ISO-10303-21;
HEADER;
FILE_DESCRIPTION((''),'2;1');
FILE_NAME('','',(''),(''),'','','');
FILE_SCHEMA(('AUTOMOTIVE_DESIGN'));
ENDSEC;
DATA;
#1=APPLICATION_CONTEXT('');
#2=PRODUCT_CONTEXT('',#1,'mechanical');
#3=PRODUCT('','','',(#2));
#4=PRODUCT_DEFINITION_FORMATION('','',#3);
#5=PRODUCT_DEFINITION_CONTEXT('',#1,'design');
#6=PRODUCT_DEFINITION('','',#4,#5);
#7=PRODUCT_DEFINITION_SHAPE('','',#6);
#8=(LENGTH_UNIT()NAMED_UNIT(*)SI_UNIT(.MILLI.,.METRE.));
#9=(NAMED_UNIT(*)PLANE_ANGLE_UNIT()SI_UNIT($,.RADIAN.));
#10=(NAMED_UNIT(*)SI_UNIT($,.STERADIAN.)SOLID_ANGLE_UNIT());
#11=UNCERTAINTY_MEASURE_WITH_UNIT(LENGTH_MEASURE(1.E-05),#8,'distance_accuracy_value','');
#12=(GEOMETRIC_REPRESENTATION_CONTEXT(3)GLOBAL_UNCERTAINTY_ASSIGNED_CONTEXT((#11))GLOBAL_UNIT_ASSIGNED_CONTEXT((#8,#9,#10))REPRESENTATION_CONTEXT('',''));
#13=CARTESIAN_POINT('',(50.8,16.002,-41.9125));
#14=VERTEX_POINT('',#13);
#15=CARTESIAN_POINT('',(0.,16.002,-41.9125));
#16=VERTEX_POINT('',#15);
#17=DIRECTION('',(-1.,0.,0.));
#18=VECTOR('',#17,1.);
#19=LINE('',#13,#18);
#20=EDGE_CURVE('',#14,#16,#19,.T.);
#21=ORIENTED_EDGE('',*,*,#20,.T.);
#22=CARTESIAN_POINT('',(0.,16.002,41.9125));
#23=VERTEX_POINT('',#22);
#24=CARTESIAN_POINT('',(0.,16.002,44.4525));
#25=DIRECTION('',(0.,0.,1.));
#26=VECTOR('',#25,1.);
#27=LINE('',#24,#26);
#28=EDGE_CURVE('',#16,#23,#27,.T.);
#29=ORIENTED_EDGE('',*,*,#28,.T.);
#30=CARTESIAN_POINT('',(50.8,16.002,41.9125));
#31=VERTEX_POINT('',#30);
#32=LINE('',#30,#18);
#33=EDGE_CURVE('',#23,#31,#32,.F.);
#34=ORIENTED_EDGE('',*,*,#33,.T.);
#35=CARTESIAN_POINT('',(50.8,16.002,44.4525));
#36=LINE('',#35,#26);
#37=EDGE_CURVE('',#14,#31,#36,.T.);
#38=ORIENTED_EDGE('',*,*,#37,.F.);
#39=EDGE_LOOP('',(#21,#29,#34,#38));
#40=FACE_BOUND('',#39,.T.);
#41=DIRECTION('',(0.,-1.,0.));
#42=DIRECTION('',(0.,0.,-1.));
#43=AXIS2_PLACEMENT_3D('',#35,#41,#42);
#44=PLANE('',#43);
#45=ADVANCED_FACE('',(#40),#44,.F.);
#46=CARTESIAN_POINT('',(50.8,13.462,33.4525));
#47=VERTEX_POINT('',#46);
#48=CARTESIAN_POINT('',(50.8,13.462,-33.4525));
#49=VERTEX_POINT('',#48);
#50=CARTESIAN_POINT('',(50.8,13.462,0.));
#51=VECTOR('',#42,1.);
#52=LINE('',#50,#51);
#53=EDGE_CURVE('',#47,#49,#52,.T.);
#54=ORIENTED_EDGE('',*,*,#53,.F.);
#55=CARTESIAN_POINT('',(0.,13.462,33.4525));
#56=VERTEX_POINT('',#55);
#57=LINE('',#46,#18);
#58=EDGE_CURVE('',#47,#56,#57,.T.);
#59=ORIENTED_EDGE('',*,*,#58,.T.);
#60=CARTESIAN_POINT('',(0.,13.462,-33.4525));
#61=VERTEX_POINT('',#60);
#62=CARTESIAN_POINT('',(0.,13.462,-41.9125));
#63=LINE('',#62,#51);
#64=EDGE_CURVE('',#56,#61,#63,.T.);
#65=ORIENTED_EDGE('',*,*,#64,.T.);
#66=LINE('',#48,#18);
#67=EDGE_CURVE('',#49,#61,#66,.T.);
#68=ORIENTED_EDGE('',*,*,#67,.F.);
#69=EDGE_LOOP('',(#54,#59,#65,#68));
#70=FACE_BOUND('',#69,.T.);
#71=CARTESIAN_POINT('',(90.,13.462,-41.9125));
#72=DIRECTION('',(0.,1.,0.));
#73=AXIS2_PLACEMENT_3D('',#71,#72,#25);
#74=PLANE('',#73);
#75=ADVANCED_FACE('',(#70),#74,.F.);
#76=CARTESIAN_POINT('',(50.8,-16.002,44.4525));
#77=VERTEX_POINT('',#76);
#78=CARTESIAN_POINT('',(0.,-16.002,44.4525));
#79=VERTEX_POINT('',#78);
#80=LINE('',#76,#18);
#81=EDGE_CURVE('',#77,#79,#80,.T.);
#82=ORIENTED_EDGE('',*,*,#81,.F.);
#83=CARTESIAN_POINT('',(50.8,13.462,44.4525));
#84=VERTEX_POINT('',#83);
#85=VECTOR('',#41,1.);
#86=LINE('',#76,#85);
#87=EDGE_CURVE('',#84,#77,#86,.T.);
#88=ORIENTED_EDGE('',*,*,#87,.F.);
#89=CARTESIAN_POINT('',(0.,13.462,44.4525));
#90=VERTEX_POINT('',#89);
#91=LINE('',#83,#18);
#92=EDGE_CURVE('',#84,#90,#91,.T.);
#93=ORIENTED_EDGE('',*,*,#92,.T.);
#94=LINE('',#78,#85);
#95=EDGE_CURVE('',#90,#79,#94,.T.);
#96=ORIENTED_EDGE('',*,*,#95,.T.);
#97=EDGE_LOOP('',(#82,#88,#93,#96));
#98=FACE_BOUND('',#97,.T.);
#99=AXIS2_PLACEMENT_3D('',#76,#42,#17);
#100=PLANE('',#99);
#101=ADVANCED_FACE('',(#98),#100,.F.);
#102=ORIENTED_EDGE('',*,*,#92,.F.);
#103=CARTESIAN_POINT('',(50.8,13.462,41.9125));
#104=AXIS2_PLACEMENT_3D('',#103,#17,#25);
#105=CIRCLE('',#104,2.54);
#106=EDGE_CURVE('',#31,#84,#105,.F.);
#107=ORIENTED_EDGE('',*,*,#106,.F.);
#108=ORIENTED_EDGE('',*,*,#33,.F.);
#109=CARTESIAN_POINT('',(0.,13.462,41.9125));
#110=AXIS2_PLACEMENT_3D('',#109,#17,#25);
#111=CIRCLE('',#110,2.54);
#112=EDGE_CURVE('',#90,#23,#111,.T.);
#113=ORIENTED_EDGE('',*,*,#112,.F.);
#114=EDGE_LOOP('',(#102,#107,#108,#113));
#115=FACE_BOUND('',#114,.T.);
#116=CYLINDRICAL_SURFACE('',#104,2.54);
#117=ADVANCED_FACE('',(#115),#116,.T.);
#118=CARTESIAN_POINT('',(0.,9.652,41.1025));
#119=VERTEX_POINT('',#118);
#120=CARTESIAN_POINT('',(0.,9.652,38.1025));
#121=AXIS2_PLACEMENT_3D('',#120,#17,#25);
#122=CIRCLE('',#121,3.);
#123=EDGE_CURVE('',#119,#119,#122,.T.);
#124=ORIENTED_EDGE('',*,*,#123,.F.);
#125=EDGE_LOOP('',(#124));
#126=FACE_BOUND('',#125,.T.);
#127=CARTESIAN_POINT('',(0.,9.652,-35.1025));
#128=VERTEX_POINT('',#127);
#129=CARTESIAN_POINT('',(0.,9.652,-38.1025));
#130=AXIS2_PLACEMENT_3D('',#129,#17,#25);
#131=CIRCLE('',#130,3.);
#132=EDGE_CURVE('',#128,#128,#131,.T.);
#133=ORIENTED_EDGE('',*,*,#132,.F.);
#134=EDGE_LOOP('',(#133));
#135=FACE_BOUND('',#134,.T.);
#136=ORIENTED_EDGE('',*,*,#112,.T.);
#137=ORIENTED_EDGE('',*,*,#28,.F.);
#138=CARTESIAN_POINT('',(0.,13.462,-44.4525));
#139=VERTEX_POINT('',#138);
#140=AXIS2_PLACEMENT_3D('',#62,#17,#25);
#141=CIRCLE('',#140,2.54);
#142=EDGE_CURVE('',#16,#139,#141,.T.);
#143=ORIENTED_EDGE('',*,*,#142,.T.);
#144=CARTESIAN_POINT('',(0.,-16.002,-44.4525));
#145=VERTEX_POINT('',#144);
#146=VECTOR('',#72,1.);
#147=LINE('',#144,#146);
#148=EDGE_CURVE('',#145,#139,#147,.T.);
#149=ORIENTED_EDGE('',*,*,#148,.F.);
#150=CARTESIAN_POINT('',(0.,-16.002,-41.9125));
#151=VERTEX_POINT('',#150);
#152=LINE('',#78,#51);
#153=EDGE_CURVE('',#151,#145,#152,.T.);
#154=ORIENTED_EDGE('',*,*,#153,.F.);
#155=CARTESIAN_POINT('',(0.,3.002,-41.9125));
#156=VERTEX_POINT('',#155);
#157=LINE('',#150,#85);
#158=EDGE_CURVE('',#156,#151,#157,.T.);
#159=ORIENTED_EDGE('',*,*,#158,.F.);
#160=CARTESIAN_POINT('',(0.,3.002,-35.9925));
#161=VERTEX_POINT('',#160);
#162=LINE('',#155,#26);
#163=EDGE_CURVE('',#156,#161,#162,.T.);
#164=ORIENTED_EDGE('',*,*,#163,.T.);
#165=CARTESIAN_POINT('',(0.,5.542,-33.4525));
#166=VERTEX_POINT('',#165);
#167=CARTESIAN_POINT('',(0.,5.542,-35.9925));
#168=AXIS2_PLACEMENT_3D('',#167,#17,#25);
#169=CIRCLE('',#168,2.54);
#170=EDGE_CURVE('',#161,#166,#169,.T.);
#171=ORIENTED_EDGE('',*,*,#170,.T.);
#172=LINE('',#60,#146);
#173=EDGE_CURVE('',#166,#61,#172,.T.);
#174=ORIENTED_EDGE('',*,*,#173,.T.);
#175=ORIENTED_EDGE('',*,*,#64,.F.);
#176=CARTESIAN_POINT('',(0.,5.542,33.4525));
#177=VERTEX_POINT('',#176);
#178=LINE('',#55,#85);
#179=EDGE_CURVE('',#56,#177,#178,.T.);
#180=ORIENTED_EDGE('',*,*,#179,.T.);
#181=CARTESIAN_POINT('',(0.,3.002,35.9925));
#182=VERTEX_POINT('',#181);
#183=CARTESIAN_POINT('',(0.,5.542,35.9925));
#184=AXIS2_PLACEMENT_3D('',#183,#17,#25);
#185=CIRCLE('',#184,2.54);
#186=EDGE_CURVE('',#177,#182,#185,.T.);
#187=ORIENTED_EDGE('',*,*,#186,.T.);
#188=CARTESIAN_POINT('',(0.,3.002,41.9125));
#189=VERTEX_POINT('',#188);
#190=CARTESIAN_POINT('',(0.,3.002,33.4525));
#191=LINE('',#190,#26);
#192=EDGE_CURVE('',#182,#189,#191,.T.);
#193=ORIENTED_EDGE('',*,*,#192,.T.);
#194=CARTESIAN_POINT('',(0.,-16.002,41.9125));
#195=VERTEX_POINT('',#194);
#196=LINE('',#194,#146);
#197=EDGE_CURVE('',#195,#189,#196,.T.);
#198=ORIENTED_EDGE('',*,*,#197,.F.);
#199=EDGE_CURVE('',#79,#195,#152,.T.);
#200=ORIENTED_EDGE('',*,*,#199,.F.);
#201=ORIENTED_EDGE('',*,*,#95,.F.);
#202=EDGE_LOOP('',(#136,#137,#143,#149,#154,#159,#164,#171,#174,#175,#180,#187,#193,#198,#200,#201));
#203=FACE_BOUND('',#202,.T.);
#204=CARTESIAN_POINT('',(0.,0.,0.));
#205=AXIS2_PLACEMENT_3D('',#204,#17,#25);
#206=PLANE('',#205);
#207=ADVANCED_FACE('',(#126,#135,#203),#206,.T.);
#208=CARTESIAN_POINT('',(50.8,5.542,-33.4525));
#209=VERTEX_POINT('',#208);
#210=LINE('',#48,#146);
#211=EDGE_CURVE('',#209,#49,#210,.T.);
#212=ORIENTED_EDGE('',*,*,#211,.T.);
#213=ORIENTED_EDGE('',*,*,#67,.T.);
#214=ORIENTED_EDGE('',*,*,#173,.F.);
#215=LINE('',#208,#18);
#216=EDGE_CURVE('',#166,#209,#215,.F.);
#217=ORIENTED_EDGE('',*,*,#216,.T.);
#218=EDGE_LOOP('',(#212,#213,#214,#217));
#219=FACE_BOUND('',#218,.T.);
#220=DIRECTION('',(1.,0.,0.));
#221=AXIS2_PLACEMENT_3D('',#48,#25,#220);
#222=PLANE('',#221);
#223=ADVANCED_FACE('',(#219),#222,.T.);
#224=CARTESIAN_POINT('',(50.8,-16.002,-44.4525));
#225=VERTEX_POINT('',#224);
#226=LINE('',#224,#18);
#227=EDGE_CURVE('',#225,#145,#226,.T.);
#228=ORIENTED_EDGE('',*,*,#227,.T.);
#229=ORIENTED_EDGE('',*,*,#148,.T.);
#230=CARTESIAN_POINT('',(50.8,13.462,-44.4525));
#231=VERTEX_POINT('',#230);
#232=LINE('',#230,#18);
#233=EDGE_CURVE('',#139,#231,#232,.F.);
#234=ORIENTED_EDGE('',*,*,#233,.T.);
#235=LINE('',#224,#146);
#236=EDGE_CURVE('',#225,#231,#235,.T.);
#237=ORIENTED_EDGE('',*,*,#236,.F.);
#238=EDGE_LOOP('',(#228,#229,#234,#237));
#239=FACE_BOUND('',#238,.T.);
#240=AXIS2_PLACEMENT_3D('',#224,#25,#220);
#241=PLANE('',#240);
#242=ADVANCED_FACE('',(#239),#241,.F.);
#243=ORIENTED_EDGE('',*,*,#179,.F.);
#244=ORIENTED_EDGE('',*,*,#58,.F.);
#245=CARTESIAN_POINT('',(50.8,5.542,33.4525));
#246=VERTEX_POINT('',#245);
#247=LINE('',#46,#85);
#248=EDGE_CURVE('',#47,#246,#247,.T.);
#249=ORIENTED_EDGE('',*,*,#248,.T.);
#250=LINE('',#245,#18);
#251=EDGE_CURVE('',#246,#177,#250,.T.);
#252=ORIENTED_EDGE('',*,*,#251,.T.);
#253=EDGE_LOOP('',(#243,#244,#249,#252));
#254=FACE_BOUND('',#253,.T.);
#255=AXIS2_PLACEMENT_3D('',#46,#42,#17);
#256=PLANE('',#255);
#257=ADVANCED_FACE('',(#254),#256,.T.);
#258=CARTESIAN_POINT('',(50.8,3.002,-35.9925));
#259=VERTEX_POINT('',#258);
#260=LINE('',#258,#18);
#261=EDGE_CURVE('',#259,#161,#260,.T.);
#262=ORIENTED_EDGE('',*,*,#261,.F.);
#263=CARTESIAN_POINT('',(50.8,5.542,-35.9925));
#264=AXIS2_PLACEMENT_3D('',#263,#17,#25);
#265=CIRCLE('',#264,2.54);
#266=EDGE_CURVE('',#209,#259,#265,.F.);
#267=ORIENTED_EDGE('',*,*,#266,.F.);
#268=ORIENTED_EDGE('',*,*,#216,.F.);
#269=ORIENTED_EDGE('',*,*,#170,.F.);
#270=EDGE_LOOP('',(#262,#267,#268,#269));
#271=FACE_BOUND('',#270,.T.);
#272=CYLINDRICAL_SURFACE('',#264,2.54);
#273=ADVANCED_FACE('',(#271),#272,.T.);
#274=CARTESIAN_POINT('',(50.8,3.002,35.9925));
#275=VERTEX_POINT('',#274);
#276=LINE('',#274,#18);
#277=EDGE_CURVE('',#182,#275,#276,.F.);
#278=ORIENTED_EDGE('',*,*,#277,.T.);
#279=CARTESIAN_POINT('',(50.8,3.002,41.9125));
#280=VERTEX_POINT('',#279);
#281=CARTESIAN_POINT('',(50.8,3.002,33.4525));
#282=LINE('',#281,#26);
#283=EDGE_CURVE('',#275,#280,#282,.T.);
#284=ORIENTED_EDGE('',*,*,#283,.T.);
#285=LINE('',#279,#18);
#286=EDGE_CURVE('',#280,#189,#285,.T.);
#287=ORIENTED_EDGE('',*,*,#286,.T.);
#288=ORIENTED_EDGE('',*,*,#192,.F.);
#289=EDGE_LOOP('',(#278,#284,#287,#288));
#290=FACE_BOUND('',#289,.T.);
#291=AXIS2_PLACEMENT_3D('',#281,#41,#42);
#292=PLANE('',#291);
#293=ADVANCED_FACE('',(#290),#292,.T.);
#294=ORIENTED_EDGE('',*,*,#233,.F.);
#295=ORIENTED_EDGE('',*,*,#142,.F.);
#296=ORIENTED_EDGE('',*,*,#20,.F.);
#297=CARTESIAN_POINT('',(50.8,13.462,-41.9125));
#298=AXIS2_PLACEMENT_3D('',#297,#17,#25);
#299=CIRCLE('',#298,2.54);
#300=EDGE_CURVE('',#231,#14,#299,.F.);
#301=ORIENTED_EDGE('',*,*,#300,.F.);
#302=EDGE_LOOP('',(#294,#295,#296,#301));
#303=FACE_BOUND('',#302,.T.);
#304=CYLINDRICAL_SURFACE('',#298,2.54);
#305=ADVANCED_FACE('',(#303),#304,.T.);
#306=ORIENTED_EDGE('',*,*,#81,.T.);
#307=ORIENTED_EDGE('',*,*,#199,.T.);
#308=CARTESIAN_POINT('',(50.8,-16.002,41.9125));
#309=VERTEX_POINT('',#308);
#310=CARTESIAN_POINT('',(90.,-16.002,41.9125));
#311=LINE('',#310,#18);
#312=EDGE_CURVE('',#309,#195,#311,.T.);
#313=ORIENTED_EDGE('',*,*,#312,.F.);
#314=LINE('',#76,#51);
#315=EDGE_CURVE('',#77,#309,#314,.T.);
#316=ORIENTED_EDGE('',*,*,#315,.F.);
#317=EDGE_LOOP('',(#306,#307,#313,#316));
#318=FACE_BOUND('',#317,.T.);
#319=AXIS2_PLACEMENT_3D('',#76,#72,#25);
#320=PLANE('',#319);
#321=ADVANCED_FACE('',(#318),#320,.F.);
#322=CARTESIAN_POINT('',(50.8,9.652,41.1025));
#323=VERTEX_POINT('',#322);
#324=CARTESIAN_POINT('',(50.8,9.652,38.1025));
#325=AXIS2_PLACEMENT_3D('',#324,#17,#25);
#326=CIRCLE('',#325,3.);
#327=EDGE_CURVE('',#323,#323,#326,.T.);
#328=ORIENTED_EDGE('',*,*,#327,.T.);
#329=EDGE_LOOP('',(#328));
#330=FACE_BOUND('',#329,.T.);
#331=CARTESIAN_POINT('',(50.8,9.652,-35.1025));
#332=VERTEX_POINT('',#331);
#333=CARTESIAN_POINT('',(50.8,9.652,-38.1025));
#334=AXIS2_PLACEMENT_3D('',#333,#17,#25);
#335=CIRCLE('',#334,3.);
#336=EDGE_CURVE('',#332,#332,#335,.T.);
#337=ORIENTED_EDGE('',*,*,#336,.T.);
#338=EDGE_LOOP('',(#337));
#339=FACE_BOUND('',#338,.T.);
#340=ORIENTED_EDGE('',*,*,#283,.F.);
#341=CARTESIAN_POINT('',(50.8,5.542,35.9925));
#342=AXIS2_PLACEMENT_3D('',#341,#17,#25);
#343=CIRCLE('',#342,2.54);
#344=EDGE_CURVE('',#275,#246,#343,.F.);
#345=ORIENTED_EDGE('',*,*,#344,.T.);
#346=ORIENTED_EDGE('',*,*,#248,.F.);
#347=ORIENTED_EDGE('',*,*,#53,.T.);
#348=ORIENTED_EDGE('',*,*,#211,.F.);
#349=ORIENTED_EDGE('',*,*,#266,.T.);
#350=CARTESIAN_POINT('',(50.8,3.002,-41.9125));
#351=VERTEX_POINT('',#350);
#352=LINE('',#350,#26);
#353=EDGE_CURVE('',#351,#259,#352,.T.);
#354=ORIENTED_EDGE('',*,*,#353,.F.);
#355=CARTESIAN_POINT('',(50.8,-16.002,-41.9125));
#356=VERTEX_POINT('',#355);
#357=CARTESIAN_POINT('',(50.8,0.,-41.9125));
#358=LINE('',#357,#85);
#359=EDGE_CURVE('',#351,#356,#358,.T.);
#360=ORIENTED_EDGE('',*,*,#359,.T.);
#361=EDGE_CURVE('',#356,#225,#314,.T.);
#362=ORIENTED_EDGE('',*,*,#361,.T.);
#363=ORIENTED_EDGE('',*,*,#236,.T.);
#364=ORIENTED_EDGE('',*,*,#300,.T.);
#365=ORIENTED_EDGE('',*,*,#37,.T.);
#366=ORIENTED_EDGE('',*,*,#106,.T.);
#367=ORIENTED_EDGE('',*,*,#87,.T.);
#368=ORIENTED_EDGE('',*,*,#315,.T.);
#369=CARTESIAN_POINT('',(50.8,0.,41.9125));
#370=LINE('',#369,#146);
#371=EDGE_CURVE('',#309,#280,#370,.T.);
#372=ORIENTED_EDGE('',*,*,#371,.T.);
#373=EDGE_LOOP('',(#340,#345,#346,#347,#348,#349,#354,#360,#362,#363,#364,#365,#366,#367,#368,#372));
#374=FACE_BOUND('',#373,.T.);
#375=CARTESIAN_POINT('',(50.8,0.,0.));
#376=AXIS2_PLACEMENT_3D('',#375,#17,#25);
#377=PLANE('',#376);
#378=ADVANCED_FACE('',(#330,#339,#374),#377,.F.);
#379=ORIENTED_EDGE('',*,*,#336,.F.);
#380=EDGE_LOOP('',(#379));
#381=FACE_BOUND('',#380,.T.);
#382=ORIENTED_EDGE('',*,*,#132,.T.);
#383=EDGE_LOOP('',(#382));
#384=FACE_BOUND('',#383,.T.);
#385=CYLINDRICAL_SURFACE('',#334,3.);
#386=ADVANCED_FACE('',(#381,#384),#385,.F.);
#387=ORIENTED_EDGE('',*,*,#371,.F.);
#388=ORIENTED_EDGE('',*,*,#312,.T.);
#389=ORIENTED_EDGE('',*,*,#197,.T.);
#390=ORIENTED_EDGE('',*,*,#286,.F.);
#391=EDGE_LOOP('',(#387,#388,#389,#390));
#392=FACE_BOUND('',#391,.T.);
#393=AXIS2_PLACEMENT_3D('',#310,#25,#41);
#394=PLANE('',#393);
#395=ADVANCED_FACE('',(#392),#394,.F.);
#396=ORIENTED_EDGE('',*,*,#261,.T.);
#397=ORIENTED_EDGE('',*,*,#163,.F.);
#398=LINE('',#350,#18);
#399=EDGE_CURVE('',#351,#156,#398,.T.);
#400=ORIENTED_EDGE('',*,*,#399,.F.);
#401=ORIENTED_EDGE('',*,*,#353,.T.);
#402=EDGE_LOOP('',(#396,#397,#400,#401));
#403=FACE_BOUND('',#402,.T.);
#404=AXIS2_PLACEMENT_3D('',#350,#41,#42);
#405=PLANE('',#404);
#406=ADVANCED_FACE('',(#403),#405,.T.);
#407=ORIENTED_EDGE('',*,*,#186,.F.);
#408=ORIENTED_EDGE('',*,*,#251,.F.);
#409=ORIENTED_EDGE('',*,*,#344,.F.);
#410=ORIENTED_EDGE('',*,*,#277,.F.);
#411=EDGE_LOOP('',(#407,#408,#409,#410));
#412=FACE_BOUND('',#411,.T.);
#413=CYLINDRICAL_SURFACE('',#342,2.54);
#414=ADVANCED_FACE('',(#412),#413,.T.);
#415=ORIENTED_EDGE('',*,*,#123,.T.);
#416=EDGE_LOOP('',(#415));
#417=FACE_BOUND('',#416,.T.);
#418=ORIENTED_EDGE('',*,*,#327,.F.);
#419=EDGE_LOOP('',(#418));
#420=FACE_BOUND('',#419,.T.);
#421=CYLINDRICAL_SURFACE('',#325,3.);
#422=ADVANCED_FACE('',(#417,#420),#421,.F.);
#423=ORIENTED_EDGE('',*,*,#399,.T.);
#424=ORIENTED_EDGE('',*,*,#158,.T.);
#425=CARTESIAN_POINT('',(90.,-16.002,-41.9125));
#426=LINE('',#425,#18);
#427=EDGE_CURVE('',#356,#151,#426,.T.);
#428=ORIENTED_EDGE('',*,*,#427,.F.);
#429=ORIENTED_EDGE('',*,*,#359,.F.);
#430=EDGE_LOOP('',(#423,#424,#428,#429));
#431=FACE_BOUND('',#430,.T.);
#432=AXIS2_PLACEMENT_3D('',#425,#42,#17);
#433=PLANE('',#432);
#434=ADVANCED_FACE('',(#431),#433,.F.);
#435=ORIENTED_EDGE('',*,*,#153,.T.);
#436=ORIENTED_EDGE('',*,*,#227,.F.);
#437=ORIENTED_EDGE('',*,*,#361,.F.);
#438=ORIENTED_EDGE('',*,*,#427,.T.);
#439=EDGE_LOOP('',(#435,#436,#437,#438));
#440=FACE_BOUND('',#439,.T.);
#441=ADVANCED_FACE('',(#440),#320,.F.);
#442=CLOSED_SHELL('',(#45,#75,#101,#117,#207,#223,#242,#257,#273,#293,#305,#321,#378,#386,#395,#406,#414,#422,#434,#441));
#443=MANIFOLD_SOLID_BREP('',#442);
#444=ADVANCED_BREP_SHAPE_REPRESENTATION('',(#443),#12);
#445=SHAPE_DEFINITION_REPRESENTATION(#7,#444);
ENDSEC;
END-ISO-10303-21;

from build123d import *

# Parameters (mm, degrees)
SKETCH1_W           = 88.905
SKETCH1_H           = 32.004
BOSS_EXTRUDE1_DEPTH = 50.8
FILLET1_R           = 2.54
FILLET2_R           = 2.54
SKETCH13_W          = 83.825
SKETCH13_H          = 29.464
CUT_EXTRUDE1_DEPTH  = 90
SKETCH15_W          = 8.46
SKETCH15_H          = 10.46
SKETCH15_R          = 3
BOSS_EXTRUDE8_DEPTH = 50.8
SKETCH19_W          = 8.46
SKETCH19_H          = 10.46
SKETCH19_R          = 3
BOSS_EXTRUDE9_DEPTH = 50.8
FILLET3_R           = 2.54


with BuildPart() as part:
    # Sketch1 → Boss-Extrude1 (new body)
    with BuildSketch(Plane(origin=(0, 0, 0), x_dir=(0, 0, -1), z_dir=(1, 0, 0))):
        Rectangle(SKETCH1_W, SKETCH1_H)
    extrude(amount=BOSS_EXTRUDE1_DEPTH)

    # Fillet1
    fillet1_edges = [part.edges().sort_by_distance(p)[0] for p in [
        (25.4, 16.002, -44.4525),
    ]]
    fillet(fillet1_edges, radius=FILLET1_R)

    # Fillet2
    fillet2_edges = [part.edges().sort_by_distance(p)[0] for p in [
        (25.4, 16.002, 44.4525),
    ]]
    fillet(fillet2_edges, radius=FILLET2_R)

    # Sketch13 → Cut-Extrude1 (cut)
    with BuildSketch(Plane.ZY):
        with Locations((0, -1.27)):
            Rectangle(SKETCH13_W, SKETCH13_H)
    extrude(amount=-CUT_EXTRUDE1_DEPTH, mode=Mode.SUBTRACT)

    # Sketch15 → Boss-Extrude8 (add)
    with BuildSketch(Plane.ZY):
        with Locations((37.6825, 8.232)):
            Rectangle(SKETCH15_W, SKETCH15_H)
        with Locations((38.1025, 9.652)):
            Circle(SKETCH15_R, mode=Mode.SUBTRACT)
    extrude(amount=-BOSS_EXTRUDE8_DEPTH)

    # Sketch19 → Boss-Extrude9 (add)
    with BuildSketch(Plane.ZY):
        with Locations((-37.6825, 8.232)):
            Rectangle(SKETCH19_W, SKETCH19_H)
        with Locations((-38.1025, 9.652)):
            Circle(SKETCH19_R, mode=Mode.SUBTRACT)
    extrude(amount=-BOSS_EXTRUDE9_DEPTH)

    # Fillet3
    fillet3_edges = [part.edges().sort_by_distance(p)[0] for p in [
        (25.4, 3.002, 33.4525),
        (25.4, 3.002, -33.4525),
    ]]
    fillet(fillet3_edges, radius=FILLET3_R)


solid = part.part
